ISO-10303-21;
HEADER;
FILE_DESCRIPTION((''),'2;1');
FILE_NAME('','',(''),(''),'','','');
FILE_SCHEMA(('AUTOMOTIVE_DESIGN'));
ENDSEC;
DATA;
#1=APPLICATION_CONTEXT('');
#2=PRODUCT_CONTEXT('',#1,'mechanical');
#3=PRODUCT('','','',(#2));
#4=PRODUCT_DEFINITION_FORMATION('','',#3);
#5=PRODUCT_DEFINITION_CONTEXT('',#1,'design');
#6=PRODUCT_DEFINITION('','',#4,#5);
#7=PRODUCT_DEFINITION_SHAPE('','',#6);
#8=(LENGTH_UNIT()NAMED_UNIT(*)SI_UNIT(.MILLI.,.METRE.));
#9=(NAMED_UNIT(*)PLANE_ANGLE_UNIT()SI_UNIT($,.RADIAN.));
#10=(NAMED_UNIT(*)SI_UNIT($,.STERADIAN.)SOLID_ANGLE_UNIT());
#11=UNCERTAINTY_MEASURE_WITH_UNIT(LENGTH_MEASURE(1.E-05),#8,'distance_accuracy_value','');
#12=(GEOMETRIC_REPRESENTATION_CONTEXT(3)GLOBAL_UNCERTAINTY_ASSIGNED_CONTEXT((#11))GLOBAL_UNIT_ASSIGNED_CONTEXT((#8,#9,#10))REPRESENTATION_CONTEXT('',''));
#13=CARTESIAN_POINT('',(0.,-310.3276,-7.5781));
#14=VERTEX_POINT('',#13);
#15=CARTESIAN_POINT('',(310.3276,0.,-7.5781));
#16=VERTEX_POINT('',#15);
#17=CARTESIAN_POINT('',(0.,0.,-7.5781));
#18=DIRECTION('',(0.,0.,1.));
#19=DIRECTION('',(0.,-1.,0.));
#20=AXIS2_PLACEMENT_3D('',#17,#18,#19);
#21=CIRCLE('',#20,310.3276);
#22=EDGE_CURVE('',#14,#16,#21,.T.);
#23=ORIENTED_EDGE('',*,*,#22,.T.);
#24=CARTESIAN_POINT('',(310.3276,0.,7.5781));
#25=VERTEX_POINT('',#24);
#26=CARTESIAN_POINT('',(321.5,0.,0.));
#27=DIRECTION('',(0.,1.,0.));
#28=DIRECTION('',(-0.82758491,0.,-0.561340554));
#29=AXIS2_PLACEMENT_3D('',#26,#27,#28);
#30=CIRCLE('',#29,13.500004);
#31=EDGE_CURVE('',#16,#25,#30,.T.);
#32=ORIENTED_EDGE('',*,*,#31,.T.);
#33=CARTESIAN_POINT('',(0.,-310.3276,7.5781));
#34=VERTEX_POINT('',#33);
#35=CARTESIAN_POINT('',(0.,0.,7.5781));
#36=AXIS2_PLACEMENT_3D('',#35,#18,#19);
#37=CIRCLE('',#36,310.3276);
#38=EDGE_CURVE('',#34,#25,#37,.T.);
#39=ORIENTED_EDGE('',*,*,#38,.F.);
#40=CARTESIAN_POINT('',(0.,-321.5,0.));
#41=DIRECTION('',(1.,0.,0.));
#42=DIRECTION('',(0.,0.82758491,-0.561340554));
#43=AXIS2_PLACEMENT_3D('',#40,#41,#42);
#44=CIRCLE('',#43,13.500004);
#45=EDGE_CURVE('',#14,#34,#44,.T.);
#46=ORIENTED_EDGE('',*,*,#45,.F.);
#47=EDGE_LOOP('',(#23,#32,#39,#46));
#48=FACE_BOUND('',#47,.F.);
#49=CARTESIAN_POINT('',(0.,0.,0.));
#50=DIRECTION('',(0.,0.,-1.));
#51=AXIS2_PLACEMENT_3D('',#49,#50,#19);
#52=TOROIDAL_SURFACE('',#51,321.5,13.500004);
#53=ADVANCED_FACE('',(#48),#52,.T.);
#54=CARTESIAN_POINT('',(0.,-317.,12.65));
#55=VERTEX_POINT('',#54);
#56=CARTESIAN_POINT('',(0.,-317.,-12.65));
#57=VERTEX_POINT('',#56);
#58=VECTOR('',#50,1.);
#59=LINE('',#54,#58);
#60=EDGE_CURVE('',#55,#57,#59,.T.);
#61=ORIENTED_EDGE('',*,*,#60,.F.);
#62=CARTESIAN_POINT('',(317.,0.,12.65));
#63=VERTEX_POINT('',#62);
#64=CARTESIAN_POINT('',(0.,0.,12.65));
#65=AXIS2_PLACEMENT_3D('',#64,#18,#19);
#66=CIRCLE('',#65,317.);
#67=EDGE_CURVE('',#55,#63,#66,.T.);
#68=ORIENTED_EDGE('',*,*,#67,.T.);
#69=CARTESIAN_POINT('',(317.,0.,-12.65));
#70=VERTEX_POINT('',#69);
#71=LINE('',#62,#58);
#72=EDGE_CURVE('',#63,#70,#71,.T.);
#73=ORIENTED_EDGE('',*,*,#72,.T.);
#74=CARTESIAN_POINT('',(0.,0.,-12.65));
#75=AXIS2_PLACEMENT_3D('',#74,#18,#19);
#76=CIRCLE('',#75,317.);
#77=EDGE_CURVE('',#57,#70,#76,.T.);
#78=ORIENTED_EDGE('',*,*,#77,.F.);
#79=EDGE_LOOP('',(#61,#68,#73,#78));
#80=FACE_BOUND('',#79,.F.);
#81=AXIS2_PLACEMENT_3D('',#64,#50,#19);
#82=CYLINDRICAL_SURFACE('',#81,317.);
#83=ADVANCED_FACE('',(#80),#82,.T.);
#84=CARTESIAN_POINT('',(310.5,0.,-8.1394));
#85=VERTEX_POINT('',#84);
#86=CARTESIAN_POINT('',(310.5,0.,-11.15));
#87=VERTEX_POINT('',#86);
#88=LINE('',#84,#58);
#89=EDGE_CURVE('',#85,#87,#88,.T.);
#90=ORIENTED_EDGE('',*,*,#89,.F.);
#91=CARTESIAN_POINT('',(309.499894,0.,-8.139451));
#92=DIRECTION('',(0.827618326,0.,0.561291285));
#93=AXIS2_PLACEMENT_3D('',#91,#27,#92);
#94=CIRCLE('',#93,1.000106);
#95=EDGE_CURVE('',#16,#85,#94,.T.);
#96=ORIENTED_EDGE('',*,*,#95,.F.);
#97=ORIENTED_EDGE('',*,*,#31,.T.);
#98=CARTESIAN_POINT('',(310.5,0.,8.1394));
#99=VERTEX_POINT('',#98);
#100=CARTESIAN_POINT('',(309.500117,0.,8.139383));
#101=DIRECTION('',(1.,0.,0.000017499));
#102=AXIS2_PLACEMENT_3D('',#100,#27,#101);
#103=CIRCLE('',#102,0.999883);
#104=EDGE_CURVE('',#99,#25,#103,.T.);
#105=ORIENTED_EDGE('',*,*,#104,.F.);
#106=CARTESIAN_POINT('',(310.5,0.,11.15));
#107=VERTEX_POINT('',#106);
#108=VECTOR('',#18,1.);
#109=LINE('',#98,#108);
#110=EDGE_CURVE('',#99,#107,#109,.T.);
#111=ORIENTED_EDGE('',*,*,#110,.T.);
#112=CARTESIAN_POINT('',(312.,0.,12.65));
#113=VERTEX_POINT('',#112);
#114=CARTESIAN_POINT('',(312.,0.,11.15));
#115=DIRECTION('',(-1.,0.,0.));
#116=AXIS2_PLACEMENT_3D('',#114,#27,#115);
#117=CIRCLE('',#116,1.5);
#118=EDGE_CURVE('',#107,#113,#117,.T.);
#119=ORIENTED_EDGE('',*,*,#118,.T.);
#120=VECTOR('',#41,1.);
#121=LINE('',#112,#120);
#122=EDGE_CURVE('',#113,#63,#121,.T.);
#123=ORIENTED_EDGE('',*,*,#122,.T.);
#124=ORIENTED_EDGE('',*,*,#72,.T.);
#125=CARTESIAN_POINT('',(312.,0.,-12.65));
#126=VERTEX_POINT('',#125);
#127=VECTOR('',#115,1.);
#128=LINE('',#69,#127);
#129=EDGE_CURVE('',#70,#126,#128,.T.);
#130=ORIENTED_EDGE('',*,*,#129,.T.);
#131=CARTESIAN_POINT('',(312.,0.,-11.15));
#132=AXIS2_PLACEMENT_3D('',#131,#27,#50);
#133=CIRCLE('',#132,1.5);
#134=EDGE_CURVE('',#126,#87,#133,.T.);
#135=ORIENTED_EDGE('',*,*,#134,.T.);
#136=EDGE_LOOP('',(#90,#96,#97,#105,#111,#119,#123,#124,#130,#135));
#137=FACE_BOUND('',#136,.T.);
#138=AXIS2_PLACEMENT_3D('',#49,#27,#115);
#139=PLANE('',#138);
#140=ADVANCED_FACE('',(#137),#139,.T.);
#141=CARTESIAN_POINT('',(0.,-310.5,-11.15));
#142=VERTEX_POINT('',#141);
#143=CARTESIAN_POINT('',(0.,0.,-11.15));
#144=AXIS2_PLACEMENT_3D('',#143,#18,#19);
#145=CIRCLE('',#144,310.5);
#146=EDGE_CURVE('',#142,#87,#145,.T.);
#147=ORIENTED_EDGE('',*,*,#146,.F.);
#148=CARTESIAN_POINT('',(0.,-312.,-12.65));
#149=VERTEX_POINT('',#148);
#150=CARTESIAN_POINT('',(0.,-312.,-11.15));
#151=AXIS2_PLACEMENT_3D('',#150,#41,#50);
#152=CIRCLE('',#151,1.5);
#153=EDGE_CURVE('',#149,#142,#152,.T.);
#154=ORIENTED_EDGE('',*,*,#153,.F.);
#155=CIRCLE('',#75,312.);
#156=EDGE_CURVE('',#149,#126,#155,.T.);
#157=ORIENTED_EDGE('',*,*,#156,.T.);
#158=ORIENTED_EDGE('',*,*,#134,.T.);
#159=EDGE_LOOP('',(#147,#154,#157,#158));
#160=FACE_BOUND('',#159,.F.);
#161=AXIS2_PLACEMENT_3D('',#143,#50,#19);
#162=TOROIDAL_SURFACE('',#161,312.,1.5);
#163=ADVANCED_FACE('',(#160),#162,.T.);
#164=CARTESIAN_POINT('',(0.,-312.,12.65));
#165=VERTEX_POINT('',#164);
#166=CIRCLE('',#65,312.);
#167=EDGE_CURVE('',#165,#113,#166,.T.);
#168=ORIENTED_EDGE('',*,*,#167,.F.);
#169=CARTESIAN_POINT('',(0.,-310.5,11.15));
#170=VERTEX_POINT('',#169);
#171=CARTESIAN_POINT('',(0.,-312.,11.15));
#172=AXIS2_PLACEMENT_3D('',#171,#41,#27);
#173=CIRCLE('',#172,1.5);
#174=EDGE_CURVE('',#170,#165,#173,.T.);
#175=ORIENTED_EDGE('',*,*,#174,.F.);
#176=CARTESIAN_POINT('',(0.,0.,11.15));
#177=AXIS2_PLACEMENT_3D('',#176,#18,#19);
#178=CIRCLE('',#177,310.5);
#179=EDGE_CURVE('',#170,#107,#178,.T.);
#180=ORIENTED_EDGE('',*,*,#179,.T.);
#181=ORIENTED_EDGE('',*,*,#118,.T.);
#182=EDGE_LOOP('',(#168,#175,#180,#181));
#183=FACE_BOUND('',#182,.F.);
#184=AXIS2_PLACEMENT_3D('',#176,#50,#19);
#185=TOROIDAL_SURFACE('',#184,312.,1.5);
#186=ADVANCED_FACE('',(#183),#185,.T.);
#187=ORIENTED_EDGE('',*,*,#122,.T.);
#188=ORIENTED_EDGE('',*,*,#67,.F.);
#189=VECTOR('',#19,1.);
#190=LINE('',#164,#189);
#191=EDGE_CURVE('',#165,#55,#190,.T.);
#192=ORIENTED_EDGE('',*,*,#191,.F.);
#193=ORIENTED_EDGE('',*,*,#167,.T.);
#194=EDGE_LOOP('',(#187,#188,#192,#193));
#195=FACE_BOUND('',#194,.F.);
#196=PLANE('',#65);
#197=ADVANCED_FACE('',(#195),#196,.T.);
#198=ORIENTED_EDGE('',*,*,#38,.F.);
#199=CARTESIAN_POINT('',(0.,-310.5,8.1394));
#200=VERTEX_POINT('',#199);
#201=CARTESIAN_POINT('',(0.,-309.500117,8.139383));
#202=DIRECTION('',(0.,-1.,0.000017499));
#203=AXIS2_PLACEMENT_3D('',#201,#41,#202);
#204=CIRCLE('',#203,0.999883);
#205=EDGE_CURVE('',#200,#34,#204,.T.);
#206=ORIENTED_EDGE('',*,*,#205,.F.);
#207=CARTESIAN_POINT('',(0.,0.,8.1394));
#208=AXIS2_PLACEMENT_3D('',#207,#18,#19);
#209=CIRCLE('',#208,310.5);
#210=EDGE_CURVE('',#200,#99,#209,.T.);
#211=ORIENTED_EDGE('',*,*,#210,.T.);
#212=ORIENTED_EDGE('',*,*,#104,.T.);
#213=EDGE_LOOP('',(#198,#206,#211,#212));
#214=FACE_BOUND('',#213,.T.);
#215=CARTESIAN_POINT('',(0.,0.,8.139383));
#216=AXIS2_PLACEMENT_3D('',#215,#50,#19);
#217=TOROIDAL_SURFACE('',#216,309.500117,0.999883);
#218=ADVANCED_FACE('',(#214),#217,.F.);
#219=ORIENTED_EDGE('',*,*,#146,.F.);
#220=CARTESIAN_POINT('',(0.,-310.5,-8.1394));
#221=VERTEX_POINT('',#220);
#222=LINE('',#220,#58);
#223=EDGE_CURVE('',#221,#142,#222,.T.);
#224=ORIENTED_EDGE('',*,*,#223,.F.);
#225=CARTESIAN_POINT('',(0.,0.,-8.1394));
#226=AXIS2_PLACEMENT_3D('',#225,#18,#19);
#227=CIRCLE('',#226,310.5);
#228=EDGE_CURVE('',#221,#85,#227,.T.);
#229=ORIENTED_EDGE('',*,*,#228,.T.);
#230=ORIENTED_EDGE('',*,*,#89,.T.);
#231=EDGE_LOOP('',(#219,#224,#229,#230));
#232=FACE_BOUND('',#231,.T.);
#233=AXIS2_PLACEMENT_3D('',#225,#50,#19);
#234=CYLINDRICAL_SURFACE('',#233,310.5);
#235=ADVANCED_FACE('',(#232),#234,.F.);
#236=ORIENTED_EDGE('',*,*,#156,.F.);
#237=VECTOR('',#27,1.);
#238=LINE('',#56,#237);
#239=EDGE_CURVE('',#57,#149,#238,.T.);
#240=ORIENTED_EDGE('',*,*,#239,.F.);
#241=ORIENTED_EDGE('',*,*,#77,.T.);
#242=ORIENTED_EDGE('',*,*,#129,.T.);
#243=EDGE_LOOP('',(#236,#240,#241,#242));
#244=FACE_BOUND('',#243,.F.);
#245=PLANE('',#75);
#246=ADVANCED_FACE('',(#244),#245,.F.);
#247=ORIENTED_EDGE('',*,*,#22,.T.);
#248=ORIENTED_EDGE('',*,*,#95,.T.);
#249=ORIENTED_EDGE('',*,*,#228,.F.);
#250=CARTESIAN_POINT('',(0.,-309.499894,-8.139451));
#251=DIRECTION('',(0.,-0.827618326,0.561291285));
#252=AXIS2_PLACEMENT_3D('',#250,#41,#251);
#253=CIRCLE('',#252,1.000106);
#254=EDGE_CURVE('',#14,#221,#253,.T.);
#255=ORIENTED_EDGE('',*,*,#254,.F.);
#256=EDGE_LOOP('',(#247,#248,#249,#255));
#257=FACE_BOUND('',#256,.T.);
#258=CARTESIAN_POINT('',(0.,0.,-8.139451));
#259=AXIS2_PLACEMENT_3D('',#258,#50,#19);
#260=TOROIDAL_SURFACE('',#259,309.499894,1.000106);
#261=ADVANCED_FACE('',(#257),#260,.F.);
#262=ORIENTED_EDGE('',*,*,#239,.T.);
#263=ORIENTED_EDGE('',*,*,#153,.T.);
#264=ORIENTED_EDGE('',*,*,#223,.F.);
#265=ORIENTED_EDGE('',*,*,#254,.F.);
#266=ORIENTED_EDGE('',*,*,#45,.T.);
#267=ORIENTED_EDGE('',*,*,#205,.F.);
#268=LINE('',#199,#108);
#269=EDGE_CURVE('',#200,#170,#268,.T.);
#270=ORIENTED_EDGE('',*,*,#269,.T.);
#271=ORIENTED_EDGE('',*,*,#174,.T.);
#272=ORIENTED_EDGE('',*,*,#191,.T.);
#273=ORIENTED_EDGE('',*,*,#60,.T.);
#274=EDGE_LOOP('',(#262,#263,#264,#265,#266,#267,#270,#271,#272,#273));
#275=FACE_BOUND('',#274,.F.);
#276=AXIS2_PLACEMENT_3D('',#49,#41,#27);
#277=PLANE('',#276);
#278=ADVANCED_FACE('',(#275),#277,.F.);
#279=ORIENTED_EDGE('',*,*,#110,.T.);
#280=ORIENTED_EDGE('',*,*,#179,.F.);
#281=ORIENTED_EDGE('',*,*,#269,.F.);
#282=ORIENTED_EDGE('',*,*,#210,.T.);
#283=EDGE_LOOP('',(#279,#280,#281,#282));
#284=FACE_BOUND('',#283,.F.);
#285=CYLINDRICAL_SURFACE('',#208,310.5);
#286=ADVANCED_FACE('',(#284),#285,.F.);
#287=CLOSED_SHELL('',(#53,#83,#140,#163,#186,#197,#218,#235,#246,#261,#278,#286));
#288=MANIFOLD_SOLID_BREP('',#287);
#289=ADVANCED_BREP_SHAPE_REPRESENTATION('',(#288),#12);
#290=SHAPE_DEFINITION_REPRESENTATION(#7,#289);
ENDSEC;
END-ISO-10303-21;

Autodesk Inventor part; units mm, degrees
ref_plane "YZ Plane" through (0, 0, 0) normal (1, 0, 0) x (0, 1, 0)
ref_plane "XZ Plane" through (0, 0, 0) normal (0, 1, 0) x (-1, 0, 0)
ref_plane "XY Plane" through (0, 0, 0) normal (0, 0, 1) x (1, 0, 0)
sketch "草圖1" plane through (0, 0, 0) normal (1, 0, 0) x (0, 1, 0)
  line L0 (-312, 12.65) -> (-317, 12.65)
  line L1 (-317, 12.65) -> (-317, -12.65)
  line L2 (-317, -12.65) -> (-312, -12.65)
  line L3 (-308, -12.65) -> (-308, 12.65) construction
  arc A0 (-310.3276, -7.5781) -> (-310.3276, 7.5781) centre (-321.5, 0) ccw
  line L4 (-310.5, -8.1394) -> (-310.5, -11.15)
  line L5 (-310.5, 8.1394) -> (-310.5, 11.15)
  arc A1 (-310.3276, -7.5781) -> (-310.5, -8.1394) centre (-309.5, -8.1394) ccw
  arc A2 (-310.5, 8.1394) -> (-310.3276, 7.5781) centre (-309.5, 8.1394) ccw
  arc A3 (-312, -12.65) -> (-310.5, -11.15) centre (-312, -11.15) ccw
  arc A4 (-310.5, 11.15) -> (-312, 12.65) centre (-312, 11.15) ccw
  line L6 (0, 0) -> (0, 24.9603) construction
  dimension "d0" = 317
  dimension "d1" = 9
  dimension "d2" = 12.65
  dimension "d3" = 25.3
  dimension "d4" = 27
  dimension "d5" = 0
  dimension "d6" = 2.5
  dimension "d7" = 2.5
  dimension "d8" = 2
  dimension "d9" = 2
  dimension "d10" = 3
  dimension "d11" = 3
revolve "迴轉1" add sketch "草圖1" angle 90 about axis through (0, 0, 0) along (0, 0, 1)
properties part number "異形橡膠圈-半圓"
